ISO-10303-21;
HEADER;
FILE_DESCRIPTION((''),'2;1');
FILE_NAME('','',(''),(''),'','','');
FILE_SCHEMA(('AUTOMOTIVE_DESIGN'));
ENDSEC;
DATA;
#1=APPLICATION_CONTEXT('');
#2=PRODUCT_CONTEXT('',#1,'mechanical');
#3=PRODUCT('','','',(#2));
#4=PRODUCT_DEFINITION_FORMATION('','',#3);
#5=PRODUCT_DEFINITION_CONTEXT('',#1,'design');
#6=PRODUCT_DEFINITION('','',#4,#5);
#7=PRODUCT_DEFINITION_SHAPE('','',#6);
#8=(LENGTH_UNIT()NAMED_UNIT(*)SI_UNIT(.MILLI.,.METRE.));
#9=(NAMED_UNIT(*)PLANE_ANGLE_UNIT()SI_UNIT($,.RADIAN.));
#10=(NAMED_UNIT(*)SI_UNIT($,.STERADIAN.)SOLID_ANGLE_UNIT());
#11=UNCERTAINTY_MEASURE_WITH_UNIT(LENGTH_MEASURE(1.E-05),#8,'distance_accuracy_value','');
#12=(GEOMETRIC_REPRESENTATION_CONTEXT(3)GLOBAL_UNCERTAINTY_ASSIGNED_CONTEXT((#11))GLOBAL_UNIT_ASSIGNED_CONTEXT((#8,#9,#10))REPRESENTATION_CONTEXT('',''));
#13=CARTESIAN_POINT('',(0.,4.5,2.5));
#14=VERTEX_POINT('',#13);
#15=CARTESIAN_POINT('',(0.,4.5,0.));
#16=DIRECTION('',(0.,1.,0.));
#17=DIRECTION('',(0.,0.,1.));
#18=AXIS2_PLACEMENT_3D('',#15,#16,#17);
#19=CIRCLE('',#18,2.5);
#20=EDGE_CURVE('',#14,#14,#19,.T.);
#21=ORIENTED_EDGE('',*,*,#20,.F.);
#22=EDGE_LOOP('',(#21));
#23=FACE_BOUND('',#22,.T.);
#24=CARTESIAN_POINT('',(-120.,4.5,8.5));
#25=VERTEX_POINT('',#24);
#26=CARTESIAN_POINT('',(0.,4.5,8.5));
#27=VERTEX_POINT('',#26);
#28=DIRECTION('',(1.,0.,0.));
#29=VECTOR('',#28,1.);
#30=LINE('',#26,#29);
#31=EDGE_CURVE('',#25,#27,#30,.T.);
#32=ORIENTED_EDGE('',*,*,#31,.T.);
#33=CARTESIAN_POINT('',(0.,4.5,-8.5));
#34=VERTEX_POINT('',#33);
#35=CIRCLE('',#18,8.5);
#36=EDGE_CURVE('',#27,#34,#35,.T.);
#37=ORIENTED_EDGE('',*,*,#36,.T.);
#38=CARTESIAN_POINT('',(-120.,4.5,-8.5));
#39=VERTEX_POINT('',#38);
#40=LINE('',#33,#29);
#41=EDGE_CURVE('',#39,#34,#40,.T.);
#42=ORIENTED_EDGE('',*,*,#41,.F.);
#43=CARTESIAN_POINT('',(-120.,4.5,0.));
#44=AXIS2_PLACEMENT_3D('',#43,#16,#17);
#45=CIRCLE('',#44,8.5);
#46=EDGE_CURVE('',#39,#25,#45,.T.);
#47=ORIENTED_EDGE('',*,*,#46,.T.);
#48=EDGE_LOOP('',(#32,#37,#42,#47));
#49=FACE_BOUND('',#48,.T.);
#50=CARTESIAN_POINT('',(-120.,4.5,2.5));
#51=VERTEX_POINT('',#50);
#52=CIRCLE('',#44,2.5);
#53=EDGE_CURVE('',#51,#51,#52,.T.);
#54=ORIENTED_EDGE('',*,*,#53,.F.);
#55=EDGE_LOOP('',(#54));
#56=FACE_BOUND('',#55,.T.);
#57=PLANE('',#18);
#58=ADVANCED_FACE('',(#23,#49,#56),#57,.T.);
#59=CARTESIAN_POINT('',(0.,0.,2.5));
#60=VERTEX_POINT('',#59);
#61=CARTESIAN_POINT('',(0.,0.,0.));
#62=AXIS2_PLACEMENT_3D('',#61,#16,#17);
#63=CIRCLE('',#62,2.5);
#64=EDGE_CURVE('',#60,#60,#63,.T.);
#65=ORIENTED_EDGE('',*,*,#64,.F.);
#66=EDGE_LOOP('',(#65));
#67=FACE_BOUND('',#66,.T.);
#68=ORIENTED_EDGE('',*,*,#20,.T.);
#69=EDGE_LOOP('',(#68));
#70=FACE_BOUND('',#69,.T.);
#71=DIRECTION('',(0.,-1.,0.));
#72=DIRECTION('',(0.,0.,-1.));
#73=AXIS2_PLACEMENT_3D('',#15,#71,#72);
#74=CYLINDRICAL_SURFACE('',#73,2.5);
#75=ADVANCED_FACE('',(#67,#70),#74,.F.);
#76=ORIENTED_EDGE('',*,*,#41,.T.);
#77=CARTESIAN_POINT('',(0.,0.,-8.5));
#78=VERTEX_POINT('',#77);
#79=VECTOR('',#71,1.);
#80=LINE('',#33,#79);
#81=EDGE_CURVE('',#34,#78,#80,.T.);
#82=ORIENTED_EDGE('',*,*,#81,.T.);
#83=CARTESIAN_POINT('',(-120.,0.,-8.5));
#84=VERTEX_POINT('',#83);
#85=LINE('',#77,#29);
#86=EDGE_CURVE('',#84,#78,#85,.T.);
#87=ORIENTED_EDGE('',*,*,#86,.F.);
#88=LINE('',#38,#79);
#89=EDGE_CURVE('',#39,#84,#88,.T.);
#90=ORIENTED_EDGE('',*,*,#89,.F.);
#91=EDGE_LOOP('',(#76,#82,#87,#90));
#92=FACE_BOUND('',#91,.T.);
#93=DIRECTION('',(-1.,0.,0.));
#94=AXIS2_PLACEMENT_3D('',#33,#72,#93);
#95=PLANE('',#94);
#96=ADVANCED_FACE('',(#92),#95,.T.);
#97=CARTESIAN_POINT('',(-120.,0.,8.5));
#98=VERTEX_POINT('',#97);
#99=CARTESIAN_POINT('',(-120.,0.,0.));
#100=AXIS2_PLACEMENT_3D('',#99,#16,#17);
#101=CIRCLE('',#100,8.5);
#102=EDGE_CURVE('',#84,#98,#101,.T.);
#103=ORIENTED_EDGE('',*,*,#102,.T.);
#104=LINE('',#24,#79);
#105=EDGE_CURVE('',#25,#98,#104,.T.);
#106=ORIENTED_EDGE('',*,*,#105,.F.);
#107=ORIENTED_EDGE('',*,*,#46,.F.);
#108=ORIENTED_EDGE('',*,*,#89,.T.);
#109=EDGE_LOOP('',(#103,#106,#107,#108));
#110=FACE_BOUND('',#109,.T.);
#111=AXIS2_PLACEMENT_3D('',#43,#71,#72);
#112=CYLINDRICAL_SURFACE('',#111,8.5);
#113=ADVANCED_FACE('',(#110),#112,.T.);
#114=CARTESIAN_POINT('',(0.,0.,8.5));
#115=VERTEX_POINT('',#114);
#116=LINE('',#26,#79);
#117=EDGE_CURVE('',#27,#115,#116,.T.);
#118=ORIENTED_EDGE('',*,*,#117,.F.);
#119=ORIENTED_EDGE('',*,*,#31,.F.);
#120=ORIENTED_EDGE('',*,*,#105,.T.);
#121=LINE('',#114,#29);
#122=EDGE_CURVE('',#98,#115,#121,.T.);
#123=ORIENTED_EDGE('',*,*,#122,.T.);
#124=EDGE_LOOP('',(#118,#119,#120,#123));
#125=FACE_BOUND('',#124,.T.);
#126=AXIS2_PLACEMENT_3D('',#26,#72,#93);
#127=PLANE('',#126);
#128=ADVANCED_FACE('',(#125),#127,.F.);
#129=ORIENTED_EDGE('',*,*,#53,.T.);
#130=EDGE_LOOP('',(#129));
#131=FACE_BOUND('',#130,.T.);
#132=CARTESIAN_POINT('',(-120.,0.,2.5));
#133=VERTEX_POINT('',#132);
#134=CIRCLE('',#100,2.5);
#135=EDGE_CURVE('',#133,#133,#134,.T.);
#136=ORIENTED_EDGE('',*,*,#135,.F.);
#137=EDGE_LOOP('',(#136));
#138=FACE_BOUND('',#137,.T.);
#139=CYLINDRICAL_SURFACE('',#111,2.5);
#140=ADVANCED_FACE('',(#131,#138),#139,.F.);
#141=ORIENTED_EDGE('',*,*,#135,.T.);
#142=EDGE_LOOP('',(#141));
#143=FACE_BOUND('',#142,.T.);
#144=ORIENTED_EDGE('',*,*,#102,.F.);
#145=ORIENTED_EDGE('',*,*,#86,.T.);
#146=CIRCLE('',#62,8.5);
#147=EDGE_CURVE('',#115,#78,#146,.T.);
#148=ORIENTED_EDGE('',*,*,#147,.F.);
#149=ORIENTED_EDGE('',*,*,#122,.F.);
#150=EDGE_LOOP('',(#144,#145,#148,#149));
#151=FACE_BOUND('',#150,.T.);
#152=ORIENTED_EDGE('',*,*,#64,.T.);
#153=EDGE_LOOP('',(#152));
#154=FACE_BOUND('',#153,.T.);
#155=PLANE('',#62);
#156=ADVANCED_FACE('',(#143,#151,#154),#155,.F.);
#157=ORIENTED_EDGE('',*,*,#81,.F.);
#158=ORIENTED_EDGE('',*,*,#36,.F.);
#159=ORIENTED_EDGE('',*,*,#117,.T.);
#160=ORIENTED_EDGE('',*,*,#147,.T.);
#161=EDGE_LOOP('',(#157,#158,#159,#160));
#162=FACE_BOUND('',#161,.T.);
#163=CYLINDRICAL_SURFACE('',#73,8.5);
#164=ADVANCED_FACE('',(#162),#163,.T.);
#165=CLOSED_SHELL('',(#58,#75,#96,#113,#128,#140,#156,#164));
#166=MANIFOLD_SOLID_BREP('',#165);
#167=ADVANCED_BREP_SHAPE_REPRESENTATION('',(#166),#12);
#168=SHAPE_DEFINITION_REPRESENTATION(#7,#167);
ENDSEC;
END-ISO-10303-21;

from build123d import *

# Parameters (mm, degrees)
SKETCH1_R           = 8.5
SKETCH1_R_2         = 2.5
BOSS_EXTRUDE2_DEPTH = 4.5


with BuildPart() as part:
    # Sketch1 → Boss-Extrude2 (new body)
    # profile 1 of 3: a face of its own
    with BuildSketch(Plane(origin=(0, 0, 0), x_dir=(1, 0, 0), z_dir=(0, 1, 0))):
        with BuildLine():
            Line((0, 8.5), (-120, 8.5))
            ThreePointArc((-120, 8.5), (-113.98959236, 6.01040764), (-111.5, 0))
            ThreePointArc((-111.5, 0), (-113.98959236, -6.01040764), (-120, -8.5))
            Line((-120, -8.5), (0, -8.5))
            ThreePointArc((0, -8.5), (-8.5, 0), (0, 8.5))
        make_face()
    # profile 2 of 3: a face of its own
    with BuildSketch(Plane(origin=(0, 0, 0), x_dir=(1, 0, 0), z_dir=(0, 1, 0))):
        with Locations((-120, 0)):
            Circle(SKETCH1_R)
        with Locations(Location((-120, 0, 0), (0, 0, 270))):
            Circle(SKETCH1_R_2, mode=Mode.SUBTRACT)
    # profile 3 of 3: a face of its own
    with BuildSketch(Plane(origin=(0, 0, 0), x_dir=(1, 0, 0), z_dir=(0, 1, 0))):
        Circle(SKETCH1_R)
        with Locations(Location((0, 0, 0), (0, 0, 270))):
            Circle(SKETCH1_R_2, mode=Mode.SUBTRACT)
    extrude(amount=BOSS_EXTRUDE2_DEPTH)


solid = part.part
